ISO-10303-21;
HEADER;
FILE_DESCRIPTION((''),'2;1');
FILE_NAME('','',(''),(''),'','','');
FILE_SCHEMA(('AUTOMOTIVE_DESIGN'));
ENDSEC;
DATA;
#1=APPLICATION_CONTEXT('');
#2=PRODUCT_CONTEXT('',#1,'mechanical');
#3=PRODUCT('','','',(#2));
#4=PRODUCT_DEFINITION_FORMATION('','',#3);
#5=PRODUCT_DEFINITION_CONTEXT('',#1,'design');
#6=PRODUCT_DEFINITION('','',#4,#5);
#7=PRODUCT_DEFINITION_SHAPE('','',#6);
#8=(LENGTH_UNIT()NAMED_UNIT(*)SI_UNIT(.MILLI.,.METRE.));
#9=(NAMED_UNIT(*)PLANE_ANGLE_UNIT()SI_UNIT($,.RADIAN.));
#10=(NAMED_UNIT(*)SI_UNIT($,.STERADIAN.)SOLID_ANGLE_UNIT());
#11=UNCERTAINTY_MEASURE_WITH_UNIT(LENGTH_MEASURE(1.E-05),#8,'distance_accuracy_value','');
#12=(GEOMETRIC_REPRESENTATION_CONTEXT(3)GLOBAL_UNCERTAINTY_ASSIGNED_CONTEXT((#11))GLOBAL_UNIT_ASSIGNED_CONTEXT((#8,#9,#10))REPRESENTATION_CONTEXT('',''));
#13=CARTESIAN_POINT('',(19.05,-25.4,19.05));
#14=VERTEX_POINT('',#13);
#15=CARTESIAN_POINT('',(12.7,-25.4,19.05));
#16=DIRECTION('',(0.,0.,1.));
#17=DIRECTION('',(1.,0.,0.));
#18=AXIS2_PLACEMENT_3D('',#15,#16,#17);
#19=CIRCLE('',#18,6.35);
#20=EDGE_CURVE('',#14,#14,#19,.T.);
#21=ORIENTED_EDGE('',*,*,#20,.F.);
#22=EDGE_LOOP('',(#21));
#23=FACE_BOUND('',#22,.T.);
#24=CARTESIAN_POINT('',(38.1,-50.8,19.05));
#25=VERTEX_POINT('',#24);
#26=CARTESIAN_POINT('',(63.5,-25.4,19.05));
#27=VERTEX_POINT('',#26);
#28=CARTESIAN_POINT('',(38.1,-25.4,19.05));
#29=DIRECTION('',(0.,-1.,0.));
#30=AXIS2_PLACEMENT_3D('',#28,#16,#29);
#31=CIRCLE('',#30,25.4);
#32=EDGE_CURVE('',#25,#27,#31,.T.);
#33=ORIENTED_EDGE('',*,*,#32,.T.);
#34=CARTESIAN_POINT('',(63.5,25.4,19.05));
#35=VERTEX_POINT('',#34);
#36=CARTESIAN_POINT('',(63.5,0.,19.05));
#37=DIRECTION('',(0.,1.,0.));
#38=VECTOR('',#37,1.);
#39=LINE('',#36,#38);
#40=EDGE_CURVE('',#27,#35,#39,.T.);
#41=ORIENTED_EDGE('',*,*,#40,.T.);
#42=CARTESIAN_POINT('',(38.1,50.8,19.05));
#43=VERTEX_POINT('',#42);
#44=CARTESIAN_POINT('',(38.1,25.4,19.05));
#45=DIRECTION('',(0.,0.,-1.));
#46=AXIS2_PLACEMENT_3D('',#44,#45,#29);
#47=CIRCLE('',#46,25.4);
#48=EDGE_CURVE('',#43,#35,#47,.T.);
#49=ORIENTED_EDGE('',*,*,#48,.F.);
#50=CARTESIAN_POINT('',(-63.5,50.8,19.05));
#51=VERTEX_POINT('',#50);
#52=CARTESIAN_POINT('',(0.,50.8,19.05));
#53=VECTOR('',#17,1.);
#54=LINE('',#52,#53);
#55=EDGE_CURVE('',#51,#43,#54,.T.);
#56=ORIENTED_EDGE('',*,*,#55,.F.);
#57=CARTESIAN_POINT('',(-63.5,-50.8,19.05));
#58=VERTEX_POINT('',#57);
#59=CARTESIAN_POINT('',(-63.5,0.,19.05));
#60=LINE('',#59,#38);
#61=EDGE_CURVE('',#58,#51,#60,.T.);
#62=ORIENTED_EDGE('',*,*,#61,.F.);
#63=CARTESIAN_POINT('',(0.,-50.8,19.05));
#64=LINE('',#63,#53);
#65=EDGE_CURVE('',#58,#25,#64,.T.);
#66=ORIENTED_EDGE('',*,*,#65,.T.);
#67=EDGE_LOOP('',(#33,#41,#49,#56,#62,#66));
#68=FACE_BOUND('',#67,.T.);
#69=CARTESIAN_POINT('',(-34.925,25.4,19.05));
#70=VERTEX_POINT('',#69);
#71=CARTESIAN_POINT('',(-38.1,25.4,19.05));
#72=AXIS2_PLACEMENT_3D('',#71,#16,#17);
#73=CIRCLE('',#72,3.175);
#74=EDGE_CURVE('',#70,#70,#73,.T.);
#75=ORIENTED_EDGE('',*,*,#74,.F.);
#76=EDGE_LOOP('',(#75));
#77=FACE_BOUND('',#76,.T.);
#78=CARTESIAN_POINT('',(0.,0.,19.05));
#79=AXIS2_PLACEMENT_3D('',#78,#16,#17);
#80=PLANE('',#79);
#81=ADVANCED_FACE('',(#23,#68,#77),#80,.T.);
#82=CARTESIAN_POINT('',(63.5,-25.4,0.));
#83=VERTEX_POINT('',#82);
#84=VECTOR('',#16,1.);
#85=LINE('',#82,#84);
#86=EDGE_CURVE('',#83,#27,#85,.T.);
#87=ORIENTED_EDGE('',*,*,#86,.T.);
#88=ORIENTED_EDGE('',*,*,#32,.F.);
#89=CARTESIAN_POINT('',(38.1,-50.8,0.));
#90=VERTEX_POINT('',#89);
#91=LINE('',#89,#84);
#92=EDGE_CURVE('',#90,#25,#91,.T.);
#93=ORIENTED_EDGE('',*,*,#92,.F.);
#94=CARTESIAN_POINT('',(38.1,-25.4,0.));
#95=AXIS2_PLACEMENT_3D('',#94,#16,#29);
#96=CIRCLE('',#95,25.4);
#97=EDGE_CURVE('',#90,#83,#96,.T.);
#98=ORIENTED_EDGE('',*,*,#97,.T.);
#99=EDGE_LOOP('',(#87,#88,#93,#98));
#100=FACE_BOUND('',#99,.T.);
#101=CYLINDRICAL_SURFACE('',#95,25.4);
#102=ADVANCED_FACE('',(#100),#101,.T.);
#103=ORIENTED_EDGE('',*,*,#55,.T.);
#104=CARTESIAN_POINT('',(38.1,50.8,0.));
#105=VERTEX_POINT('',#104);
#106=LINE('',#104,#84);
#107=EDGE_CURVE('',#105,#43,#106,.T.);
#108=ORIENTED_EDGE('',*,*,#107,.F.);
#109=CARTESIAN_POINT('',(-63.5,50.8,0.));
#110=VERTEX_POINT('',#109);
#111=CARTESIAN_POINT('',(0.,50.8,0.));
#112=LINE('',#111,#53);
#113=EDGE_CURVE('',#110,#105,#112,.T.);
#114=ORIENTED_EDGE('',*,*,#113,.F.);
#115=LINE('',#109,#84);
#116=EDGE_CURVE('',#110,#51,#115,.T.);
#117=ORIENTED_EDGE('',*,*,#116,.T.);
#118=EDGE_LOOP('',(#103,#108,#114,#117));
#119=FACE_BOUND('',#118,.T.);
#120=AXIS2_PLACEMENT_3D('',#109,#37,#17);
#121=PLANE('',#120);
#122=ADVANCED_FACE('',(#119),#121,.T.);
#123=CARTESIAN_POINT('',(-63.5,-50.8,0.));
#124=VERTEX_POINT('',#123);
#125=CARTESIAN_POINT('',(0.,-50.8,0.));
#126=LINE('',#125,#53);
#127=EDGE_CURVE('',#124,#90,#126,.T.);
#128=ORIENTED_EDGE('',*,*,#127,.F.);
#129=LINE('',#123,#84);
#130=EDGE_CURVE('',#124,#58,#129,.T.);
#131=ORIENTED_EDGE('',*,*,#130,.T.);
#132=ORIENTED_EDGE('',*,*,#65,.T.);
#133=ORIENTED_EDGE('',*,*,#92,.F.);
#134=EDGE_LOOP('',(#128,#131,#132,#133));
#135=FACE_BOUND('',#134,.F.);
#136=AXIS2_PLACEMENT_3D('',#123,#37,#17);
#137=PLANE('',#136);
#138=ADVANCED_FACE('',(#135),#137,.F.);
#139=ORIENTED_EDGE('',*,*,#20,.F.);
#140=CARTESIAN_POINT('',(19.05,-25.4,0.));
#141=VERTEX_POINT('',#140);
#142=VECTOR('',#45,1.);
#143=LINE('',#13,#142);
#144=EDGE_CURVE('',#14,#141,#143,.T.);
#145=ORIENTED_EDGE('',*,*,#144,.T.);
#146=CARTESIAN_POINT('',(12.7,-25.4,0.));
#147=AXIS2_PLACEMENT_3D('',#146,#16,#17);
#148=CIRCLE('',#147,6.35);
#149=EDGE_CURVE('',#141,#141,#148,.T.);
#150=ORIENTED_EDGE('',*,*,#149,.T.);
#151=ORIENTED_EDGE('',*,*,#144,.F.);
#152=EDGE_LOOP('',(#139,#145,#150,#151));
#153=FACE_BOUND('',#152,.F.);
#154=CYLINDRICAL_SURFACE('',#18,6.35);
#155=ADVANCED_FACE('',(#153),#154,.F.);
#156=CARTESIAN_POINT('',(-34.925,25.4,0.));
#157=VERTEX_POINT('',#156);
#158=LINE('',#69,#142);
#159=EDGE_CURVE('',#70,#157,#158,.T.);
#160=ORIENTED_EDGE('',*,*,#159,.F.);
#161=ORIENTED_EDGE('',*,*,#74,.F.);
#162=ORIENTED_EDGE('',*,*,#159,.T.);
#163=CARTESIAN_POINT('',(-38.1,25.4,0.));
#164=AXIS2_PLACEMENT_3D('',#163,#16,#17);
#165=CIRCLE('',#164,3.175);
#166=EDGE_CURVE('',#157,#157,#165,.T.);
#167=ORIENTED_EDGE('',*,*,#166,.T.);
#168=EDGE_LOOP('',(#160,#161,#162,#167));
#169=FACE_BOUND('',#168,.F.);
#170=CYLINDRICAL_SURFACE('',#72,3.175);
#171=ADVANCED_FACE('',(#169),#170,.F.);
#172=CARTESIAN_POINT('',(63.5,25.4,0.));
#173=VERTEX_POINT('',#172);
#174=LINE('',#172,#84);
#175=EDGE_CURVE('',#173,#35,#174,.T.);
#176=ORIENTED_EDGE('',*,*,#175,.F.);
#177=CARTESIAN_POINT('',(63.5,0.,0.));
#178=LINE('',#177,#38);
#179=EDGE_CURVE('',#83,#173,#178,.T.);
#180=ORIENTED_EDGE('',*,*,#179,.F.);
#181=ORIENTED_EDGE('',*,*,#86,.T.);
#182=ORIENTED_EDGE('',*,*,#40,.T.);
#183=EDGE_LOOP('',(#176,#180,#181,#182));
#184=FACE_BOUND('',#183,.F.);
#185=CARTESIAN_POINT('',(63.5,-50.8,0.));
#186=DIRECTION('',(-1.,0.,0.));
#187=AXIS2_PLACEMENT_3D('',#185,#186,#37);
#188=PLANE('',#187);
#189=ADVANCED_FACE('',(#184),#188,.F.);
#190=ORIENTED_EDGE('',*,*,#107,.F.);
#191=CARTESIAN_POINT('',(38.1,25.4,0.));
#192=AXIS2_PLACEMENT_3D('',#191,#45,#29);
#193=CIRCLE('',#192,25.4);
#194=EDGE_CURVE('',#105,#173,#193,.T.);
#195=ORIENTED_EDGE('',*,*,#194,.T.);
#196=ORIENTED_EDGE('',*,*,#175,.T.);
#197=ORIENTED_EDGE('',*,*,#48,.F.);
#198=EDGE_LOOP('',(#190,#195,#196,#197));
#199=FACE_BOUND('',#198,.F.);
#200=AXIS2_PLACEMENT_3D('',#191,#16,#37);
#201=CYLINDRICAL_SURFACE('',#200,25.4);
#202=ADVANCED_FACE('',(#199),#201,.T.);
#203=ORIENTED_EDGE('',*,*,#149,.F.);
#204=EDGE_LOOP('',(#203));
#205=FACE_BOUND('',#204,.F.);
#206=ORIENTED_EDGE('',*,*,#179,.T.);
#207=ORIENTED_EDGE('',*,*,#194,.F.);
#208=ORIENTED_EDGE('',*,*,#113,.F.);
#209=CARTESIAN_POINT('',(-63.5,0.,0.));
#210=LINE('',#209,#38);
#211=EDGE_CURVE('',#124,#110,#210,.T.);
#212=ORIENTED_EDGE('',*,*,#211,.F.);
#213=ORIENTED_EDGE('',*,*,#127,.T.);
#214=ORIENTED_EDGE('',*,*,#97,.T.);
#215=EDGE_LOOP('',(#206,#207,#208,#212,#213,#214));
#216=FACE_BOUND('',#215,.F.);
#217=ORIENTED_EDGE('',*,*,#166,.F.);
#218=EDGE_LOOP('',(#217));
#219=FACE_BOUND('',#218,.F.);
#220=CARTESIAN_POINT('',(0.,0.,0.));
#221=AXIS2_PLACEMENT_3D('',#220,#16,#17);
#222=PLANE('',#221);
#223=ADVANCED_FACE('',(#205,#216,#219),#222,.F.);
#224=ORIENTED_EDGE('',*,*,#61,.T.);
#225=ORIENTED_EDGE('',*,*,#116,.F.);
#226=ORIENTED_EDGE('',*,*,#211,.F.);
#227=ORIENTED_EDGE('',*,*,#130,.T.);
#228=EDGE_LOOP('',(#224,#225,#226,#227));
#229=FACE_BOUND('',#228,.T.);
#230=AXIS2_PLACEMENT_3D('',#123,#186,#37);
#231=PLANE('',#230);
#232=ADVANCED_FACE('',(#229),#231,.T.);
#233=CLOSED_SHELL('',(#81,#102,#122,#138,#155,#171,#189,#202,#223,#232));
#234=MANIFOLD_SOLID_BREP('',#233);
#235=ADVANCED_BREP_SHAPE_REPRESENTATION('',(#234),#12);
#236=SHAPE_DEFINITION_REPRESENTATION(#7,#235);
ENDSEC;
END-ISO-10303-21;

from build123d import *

# Parameters (mm, degrees)
F0_W     = 127
F0_H     = 101.6
F1_DEPTH = 19.05
F2_R     = 3.175
F3_DEPTH = 25.4
F4_R     = 6.35
F5_DEPTH = 25.4
F6_R     = 25.4


with BuildPart() as f1:
    # F0 (on Top) → F1 (new body)
    with BuildSketch(Plane.XY):
        Rectangle(F0_W, F0_H)
    extrude(amount=F1_DEPTH)

    # F2 (on face) → F3 (cut)
    with BuildSketch(Plane.XY.offset(19.05)):
        with Locations((-38.1, 25.4)):
            Circle(F2_R)
    extrude(amount=-F3_DEPTH, mode=Mode.SUBTRACT)

    # F4 (on face) → F5 (cut)
    with BuildSketch(Plane.XY.offset(19.05)):
        with Locations((12.7, -25.4)):
            Circle(F4_R)
    extrude(amount=-F5_DEPTH, mode=Mode.SUBTRACT)

    # F6
    f6_edges = [f1.edges().sort_by_distance(p)[0] for p in [
        (63.5, -50.8, 9.525),
        (63.5, 50.8, 9.525),
    ]]
    fillet(f6_edges, radius=F6_R)


solid = f1.part
